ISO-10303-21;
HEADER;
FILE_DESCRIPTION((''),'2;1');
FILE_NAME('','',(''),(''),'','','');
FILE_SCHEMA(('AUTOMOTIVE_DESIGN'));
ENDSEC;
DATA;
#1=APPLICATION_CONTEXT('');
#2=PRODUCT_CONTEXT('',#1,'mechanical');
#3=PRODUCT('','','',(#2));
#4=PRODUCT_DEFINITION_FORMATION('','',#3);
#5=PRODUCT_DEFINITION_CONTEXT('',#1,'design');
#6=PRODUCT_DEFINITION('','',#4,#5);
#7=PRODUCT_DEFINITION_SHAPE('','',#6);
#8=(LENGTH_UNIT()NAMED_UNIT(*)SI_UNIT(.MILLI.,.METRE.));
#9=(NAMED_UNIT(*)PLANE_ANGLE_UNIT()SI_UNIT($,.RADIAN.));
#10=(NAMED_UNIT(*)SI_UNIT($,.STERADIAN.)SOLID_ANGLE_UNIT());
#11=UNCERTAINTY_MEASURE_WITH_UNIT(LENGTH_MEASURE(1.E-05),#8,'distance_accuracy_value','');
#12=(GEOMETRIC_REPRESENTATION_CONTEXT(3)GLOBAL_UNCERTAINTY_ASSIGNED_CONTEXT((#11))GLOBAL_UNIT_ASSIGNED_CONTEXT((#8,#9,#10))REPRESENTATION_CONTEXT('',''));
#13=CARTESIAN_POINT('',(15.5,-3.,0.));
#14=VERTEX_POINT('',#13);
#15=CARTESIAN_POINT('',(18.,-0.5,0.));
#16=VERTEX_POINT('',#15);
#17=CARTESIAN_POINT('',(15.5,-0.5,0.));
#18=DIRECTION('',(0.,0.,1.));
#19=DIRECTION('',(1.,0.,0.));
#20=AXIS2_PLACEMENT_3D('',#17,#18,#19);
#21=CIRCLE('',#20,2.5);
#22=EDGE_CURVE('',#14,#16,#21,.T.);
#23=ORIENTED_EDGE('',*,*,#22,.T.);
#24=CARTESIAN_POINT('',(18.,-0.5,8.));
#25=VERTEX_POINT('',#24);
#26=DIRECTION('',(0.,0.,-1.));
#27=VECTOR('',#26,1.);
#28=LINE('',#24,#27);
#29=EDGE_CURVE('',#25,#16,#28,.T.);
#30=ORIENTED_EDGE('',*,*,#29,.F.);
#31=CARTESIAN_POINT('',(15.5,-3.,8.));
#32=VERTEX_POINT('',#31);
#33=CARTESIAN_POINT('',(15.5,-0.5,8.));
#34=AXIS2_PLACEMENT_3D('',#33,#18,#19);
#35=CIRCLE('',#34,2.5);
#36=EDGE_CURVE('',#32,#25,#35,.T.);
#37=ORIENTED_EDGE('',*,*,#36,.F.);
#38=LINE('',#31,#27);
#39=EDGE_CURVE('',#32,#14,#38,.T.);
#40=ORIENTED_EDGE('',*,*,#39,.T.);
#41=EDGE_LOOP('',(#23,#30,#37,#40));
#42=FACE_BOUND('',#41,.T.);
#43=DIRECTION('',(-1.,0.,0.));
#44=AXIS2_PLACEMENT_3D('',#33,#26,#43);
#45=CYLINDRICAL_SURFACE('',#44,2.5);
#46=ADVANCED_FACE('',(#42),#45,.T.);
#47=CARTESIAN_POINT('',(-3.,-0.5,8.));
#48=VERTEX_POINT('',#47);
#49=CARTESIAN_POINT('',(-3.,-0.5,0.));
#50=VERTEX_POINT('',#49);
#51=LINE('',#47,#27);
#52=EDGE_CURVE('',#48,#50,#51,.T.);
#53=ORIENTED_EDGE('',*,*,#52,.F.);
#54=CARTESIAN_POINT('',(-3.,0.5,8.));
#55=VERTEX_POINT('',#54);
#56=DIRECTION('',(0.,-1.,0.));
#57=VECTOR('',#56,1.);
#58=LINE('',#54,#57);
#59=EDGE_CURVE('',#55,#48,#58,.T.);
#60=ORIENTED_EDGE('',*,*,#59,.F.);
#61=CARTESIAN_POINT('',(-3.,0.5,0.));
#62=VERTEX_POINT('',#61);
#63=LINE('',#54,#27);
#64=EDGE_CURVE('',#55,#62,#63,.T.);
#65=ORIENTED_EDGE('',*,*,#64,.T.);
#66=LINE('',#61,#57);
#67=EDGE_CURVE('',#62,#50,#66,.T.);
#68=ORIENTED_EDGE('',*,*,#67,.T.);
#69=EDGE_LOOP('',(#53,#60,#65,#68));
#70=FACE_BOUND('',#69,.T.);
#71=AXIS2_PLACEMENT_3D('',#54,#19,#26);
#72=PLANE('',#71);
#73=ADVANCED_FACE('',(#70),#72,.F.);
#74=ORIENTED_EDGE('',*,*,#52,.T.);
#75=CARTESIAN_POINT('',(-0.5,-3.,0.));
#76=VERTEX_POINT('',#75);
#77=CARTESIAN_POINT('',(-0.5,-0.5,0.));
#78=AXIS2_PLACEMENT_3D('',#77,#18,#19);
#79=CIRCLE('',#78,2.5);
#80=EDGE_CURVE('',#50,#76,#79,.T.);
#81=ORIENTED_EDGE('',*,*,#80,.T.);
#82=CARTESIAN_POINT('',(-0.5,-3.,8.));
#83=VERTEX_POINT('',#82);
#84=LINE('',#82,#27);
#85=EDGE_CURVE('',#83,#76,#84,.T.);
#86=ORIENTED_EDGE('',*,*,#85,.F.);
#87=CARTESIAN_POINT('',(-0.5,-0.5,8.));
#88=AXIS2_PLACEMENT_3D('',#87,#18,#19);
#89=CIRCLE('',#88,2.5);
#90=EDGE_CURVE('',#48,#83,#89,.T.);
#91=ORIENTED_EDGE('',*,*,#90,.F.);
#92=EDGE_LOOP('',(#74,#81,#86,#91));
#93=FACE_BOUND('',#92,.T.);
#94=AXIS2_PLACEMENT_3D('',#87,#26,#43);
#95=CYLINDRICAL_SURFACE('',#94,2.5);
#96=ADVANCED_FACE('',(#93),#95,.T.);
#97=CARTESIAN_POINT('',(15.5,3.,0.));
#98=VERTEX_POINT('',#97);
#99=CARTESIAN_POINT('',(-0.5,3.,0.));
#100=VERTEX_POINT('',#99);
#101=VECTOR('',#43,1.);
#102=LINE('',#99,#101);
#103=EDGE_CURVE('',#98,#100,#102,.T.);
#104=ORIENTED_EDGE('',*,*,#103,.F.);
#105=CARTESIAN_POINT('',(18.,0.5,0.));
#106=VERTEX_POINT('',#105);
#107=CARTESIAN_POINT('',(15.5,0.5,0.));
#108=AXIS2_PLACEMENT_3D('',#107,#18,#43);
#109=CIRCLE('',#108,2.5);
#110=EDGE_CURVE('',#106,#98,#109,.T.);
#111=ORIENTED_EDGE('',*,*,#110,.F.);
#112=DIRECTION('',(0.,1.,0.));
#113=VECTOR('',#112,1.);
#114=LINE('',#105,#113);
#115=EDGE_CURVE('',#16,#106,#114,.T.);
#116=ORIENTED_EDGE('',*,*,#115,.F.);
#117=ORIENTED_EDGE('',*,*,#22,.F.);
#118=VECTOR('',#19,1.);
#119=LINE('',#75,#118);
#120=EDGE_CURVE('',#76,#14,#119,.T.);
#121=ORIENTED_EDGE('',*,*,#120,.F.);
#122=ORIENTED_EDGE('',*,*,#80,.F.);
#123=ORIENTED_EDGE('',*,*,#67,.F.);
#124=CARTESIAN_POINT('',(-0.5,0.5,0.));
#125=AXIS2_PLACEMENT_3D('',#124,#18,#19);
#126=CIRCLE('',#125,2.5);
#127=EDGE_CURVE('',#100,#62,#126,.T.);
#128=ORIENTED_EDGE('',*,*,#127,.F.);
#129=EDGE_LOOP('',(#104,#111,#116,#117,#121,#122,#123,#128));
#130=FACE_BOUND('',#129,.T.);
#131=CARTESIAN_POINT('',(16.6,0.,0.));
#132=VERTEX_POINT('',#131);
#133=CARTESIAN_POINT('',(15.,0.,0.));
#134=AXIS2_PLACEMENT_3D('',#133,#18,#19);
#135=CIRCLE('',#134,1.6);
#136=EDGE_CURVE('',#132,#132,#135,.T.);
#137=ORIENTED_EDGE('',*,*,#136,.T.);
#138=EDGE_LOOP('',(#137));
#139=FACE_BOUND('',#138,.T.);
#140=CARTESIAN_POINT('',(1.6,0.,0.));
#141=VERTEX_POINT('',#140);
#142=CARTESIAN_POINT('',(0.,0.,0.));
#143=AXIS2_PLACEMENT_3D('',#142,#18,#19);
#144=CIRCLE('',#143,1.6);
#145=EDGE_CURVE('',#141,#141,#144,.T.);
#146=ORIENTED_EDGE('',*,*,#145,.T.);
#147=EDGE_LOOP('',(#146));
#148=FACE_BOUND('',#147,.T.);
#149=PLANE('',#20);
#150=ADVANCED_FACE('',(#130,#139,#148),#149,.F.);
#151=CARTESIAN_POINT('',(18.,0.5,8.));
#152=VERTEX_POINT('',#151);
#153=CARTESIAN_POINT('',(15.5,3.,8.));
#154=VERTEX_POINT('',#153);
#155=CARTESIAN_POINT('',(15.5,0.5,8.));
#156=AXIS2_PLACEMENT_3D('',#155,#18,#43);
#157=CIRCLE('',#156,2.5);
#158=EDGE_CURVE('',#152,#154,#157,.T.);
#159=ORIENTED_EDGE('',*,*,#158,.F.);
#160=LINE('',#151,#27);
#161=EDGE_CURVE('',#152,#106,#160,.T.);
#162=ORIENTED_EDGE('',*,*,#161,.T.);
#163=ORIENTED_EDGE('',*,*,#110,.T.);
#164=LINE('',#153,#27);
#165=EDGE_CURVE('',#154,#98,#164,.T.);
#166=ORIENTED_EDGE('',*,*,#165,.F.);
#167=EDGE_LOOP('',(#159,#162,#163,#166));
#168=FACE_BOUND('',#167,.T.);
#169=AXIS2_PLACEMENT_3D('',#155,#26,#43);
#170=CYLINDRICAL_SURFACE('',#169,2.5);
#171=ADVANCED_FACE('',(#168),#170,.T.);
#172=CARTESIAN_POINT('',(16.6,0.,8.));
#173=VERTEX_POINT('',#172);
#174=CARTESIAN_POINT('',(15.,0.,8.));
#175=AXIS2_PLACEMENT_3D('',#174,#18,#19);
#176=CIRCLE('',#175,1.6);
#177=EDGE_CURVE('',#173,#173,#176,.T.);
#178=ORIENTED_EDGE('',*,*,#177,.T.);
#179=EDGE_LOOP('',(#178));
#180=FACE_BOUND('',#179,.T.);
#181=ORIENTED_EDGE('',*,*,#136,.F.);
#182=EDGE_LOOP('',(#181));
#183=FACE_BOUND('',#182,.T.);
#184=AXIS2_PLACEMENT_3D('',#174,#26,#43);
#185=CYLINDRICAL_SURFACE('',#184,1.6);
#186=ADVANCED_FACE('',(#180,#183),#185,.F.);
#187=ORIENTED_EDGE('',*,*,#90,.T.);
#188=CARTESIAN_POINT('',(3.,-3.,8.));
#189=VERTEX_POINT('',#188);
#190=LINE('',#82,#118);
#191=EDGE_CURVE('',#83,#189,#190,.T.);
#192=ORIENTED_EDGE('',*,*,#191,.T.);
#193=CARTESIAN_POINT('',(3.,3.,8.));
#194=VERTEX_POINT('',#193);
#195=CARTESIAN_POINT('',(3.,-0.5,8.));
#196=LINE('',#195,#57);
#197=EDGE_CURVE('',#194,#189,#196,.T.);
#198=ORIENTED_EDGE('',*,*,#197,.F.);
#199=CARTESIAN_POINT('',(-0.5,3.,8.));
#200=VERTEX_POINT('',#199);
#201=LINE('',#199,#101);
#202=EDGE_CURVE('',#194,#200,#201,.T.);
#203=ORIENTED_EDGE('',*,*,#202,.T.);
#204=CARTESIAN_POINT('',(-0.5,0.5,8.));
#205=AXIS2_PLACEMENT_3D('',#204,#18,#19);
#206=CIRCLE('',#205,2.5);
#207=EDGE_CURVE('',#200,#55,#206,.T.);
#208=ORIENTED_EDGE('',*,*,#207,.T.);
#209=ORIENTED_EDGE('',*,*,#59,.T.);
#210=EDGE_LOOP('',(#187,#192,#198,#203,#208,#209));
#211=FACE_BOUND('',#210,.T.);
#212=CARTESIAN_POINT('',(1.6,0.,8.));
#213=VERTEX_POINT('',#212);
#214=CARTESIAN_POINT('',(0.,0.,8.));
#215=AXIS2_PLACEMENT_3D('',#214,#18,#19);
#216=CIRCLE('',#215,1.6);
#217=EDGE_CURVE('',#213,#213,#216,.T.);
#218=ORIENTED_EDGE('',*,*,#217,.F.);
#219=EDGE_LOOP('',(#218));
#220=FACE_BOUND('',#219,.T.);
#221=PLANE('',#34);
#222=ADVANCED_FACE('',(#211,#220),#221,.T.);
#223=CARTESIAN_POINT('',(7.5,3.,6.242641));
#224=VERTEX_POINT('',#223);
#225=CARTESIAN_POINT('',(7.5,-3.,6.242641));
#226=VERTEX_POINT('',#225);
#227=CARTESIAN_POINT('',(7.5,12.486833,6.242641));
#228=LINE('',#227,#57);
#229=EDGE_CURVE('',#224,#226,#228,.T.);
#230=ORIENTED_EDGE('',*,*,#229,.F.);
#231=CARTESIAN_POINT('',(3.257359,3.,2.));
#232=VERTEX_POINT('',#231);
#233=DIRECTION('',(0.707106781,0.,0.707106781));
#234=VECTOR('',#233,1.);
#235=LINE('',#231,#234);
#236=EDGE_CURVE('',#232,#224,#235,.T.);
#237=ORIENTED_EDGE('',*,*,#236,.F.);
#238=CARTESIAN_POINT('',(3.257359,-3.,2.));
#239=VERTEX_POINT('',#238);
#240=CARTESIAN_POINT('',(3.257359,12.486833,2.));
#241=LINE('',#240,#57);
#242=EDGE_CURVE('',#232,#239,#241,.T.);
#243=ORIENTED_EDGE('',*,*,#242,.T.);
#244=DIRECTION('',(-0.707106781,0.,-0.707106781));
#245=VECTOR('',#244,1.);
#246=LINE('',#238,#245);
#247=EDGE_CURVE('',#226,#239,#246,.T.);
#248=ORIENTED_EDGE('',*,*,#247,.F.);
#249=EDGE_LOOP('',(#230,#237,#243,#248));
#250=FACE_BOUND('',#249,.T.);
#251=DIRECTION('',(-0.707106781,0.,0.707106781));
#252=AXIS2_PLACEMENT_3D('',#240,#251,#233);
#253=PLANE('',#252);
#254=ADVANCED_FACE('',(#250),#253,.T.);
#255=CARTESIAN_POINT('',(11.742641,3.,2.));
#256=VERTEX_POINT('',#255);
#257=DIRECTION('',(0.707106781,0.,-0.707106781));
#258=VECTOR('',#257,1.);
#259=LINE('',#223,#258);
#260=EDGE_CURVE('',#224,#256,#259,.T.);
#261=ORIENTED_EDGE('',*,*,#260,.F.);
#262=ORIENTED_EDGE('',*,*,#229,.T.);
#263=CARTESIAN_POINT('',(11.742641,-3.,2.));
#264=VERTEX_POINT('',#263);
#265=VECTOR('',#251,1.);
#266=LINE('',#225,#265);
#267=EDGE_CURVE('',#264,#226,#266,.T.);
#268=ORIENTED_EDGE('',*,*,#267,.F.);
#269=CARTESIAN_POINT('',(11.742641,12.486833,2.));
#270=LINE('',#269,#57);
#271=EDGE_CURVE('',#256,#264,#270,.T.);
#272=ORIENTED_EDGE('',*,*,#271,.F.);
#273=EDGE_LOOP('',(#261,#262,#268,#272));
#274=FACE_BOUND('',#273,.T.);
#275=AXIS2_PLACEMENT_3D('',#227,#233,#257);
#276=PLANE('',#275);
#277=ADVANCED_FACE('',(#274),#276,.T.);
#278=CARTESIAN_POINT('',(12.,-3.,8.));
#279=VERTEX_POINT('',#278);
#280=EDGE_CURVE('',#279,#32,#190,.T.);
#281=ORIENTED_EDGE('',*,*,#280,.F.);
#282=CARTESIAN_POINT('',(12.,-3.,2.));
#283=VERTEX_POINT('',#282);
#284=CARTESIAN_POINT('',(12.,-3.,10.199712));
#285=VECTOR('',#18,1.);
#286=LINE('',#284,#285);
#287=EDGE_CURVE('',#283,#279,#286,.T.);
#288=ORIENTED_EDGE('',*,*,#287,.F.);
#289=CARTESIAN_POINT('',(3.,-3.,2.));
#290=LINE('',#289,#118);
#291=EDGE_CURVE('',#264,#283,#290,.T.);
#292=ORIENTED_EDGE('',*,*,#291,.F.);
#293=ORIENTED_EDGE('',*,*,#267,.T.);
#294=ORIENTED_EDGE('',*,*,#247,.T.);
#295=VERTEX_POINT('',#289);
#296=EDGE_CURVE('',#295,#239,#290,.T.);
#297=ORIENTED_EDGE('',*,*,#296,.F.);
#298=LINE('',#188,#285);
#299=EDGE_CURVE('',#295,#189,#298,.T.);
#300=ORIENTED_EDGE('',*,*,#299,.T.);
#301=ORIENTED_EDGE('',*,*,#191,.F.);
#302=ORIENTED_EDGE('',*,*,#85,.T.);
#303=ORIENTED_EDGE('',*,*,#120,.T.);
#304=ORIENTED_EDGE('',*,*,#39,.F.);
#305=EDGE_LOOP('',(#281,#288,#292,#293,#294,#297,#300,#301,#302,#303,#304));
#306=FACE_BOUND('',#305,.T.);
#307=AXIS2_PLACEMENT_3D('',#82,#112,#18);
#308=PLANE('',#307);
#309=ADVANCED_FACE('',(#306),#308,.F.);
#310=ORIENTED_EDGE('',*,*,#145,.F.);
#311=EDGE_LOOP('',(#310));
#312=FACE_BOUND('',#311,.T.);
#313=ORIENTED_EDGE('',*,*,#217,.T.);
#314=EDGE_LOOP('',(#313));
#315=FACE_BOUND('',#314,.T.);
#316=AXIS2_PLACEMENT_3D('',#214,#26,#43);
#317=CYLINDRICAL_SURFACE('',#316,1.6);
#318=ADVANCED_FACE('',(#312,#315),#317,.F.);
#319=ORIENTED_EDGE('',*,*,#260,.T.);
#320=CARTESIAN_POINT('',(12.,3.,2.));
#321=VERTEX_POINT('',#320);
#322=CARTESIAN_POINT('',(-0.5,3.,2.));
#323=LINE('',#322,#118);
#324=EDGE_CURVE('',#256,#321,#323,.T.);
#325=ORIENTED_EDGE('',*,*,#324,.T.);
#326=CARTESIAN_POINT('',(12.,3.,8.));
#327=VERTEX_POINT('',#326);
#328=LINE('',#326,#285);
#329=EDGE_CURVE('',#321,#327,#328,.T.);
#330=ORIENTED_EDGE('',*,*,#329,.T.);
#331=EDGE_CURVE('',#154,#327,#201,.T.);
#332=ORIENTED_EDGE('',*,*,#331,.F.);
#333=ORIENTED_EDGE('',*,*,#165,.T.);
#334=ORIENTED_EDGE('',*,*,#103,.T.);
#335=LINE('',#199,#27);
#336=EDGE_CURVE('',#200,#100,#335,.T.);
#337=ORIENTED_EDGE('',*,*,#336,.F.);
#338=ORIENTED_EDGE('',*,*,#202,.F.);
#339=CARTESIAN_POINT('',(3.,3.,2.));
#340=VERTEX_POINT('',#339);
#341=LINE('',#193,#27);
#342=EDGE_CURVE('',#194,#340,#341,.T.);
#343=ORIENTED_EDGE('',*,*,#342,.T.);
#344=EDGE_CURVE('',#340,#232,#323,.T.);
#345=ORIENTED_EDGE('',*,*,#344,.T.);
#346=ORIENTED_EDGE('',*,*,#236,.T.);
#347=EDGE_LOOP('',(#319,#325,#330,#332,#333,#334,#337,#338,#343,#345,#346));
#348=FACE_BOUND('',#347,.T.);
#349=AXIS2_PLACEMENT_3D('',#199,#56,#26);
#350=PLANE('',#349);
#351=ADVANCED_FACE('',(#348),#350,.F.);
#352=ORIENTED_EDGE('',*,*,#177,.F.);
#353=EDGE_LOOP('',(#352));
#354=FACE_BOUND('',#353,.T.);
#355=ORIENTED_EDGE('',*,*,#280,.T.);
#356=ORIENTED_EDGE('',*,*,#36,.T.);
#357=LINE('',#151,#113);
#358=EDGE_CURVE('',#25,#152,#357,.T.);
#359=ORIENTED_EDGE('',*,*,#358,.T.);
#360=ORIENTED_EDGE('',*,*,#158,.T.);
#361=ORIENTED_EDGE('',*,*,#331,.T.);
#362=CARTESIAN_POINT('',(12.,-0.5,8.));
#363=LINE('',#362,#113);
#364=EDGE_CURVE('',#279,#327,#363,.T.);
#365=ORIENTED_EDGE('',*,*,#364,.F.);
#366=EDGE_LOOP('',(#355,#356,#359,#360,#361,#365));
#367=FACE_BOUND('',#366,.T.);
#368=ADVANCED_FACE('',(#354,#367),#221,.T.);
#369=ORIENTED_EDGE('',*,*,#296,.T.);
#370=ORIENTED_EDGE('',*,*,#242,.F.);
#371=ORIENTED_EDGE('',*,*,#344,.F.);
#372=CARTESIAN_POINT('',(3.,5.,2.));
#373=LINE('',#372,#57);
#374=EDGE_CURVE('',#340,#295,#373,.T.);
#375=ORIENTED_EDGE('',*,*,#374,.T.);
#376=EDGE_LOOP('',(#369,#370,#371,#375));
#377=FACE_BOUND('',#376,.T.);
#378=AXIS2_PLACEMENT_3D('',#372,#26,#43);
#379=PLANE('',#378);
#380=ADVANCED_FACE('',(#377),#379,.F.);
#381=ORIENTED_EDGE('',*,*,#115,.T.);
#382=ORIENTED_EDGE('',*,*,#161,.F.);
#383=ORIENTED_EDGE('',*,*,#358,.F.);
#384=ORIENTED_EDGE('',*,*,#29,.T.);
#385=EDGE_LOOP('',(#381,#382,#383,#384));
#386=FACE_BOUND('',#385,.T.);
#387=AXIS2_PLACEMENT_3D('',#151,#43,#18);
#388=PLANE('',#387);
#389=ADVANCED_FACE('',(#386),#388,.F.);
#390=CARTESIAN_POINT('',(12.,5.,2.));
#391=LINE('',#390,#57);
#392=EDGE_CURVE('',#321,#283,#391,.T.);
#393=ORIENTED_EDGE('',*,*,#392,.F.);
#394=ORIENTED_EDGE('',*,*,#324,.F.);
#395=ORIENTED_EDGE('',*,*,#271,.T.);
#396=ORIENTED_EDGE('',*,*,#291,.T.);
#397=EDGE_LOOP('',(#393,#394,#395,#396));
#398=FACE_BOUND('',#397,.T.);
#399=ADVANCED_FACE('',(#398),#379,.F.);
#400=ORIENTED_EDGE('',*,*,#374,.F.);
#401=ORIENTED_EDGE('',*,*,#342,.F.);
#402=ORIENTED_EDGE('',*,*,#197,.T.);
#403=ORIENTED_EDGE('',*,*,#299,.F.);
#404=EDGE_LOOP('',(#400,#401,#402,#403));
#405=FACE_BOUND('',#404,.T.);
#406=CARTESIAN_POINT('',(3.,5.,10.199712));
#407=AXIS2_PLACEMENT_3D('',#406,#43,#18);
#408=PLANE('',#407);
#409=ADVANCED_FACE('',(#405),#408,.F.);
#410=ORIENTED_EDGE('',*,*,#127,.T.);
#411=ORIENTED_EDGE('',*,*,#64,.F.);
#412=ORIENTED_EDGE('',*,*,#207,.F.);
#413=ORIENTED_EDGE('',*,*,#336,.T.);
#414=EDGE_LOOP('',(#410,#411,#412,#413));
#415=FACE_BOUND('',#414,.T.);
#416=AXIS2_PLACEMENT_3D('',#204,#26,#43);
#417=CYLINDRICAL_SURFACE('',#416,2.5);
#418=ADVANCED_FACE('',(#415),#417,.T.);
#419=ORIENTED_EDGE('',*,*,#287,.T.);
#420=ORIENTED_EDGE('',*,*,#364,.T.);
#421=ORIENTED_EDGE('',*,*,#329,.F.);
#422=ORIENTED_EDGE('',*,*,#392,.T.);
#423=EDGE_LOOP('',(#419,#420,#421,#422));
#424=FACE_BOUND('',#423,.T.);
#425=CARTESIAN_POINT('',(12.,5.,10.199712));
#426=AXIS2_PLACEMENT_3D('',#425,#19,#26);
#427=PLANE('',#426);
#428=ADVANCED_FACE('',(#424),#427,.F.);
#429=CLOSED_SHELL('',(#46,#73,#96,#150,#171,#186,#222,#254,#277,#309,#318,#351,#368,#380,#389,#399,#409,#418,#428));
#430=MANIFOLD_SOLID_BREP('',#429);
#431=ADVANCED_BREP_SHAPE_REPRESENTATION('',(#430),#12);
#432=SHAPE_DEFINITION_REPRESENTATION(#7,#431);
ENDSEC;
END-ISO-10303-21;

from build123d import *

# Parameters (mm, degrees)
SKETCH1_R           = 1.6
BOSS_EXTRUDE1_DEPTH = 8
SKETCH2_W           = 9
SKETCH2_H           = 8.199711987
CUT_EXTRUDE1_DEPTH  = 8
BOSS_EXTRUDE2_DEPTH = 6


with BuildPart() as part:
    # Sketch1 → Boss-Extrude1 (new body)
    with BuildSketch(Plane.XY):
        with BuildLine():
            Line((-0.5, 3), (15.5, 3))
            ThreePointArc((15.5, 3), (17.267766953, 2.267766953), (18, 0.5))
            Line((18, 0.5), (18, -0.5))
            ThreePointArc((18, -0.5), (17.267766953, -2.267766953), (15.5, -3))
            Line((15.5, -3), (-0.5, -3))
            ThreePointArc((-0.5, -3), (-2.267766953, -2.267766953), (-3, -0.5))
            Line((-3, -0.5), (-3, 0.5))
            ThreePointArc((-3, 0.5), (-2.267766953, 2.267766953), (-0.5, 3))
        make_face()
        Circle(SKETCH1_R, mode=Mode.SUBTRACT)
        with Locations((15, 0)):
            Circle(SKETCH1_R, mode=Mode.SUBTRACT)
    extrude(amount=BOSS_EXTRUDE1_DEPTH)

    # Sketch2 → Cut-Extrude1 (cut)
    with BuildSketch(Plane.XZ.offset(3)):
        with Locations((7.5, 6.099855994)):
            Rectangle(SKETCH2_W, SKETCH2_H)
    extrude(amount=-CUT_EXTRUDE1_DEPTH, mode=Mode.SUBTRACT)

    # Sketch3 → Boss-Extrude2 (add)
    with BuildSketch(Plane.XZ.offset(3)):
        Polygon((3.257359313, 2), (7.5, 6.242640687), (11.742640687, 2), align=None)
    extrude(amount=-BOSS_EXTRUDE2_DEPTH)


solid = part.part
